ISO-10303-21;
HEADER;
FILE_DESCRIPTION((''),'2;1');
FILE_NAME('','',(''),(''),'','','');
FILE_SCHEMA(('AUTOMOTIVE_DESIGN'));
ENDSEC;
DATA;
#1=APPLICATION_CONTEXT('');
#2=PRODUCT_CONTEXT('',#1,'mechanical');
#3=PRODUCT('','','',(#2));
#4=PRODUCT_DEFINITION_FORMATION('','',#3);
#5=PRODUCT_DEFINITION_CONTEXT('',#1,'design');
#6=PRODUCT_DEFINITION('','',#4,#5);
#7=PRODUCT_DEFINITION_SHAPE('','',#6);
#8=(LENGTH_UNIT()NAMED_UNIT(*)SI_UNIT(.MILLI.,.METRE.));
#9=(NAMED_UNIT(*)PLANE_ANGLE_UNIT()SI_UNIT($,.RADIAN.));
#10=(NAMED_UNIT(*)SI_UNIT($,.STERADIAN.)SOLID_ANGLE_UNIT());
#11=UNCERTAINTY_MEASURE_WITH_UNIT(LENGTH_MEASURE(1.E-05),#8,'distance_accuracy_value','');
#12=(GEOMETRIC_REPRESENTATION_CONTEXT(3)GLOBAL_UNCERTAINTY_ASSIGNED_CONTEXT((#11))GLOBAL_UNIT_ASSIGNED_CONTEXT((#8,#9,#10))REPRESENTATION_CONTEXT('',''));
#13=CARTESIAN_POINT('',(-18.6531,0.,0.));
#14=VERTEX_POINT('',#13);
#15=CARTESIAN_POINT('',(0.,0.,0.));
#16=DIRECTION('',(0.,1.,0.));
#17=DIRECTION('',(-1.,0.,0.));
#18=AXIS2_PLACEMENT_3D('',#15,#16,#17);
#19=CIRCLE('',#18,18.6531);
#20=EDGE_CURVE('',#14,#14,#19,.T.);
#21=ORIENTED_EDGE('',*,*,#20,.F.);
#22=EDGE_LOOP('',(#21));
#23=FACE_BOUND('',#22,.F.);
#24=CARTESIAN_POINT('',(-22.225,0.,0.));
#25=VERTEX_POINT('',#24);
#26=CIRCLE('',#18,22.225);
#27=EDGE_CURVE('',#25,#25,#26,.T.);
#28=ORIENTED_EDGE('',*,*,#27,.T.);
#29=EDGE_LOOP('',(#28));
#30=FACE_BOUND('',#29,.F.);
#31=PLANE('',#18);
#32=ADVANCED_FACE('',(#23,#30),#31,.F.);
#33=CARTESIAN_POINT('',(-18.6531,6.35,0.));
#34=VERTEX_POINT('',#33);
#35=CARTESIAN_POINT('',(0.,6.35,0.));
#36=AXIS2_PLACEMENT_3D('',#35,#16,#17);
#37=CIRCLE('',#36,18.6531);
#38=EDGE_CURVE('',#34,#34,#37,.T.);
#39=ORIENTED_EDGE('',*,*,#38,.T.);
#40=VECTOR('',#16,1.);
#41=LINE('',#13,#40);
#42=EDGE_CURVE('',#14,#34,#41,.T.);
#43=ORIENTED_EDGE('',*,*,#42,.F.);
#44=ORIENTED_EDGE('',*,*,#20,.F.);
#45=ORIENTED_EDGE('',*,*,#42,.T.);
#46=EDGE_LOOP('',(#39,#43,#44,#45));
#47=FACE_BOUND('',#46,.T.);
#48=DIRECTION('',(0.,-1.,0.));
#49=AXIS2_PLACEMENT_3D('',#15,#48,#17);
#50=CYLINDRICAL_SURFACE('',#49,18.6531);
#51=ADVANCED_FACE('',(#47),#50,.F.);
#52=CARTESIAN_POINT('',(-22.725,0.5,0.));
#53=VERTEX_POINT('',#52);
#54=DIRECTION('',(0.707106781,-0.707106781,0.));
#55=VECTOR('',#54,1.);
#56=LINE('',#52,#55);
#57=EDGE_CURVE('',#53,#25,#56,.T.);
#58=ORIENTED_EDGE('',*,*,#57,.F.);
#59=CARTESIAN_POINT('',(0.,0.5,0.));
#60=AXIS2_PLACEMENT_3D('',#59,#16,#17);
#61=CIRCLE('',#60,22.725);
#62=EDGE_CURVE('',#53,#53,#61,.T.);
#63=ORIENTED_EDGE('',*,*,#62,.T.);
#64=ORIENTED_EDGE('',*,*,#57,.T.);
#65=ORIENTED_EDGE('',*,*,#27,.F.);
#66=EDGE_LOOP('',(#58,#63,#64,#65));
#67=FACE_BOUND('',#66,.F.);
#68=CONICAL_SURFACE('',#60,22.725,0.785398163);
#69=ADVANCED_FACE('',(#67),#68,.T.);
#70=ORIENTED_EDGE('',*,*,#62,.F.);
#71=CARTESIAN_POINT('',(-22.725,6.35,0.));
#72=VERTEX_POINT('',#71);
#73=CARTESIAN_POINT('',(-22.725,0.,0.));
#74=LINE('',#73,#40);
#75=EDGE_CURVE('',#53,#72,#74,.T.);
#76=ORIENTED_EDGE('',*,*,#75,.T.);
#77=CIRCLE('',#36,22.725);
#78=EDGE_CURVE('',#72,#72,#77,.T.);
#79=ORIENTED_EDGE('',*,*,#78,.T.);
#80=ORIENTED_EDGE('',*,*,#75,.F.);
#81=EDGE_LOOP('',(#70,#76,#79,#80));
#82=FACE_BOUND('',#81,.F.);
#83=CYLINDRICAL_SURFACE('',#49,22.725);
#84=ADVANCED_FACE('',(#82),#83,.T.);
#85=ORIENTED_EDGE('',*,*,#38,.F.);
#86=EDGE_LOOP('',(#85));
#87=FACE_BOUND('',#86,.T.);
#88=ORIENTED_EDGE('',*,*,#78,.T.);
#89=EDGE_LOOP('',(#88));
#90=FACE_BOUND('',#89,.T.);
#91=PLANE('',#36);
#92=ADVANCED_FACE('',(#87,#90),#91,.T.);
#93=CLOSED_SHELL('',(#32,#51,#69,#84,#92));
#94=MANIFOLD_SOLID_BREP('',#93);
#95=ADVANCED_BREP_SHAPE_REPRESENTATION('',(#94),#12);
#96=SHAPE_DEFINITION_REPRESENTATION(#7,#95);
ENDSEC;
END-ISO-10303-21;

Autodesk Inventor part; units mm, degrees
ref_plane "YZ Plane" through (0, 0, 0) normal (1, 0, 0) x (0, 1, 0)
ref_plane "XZ Plane" through (0, 0, 0) normal (0, 1, 0) x (-1, 0, 0)
ref_plane "XY Plane" through (0, 0, 0) normal (0, 0, 1) x (1, 0, 0)
sketch "Sketch1" plane through (0, 0, 0) normal (0, 1, 0) x (-1, 0, 0)
  circle A0 centre (0, 0) radius 21.8281 construction
  circle A1 centre (0, 0) radius 18.6531
  circle A2 centre (0, 0) radius 22.225 construction
  circle A3 centre (0, 0) radius 22.725
  dimension "d0" = 43.6562
  dimension "d1" = 3.175
  dimension "d2" = 44.45
  dimension "d3" = 0.5
extrude "Extrusion1" add sketch "Sketch1" along normal blind 6.35
chamfer "Chamfer1" distance 0.5 angle 45 1 edges at (22.725, 0, 0)
properties part number "Band" material "Rubber, Silicone"
